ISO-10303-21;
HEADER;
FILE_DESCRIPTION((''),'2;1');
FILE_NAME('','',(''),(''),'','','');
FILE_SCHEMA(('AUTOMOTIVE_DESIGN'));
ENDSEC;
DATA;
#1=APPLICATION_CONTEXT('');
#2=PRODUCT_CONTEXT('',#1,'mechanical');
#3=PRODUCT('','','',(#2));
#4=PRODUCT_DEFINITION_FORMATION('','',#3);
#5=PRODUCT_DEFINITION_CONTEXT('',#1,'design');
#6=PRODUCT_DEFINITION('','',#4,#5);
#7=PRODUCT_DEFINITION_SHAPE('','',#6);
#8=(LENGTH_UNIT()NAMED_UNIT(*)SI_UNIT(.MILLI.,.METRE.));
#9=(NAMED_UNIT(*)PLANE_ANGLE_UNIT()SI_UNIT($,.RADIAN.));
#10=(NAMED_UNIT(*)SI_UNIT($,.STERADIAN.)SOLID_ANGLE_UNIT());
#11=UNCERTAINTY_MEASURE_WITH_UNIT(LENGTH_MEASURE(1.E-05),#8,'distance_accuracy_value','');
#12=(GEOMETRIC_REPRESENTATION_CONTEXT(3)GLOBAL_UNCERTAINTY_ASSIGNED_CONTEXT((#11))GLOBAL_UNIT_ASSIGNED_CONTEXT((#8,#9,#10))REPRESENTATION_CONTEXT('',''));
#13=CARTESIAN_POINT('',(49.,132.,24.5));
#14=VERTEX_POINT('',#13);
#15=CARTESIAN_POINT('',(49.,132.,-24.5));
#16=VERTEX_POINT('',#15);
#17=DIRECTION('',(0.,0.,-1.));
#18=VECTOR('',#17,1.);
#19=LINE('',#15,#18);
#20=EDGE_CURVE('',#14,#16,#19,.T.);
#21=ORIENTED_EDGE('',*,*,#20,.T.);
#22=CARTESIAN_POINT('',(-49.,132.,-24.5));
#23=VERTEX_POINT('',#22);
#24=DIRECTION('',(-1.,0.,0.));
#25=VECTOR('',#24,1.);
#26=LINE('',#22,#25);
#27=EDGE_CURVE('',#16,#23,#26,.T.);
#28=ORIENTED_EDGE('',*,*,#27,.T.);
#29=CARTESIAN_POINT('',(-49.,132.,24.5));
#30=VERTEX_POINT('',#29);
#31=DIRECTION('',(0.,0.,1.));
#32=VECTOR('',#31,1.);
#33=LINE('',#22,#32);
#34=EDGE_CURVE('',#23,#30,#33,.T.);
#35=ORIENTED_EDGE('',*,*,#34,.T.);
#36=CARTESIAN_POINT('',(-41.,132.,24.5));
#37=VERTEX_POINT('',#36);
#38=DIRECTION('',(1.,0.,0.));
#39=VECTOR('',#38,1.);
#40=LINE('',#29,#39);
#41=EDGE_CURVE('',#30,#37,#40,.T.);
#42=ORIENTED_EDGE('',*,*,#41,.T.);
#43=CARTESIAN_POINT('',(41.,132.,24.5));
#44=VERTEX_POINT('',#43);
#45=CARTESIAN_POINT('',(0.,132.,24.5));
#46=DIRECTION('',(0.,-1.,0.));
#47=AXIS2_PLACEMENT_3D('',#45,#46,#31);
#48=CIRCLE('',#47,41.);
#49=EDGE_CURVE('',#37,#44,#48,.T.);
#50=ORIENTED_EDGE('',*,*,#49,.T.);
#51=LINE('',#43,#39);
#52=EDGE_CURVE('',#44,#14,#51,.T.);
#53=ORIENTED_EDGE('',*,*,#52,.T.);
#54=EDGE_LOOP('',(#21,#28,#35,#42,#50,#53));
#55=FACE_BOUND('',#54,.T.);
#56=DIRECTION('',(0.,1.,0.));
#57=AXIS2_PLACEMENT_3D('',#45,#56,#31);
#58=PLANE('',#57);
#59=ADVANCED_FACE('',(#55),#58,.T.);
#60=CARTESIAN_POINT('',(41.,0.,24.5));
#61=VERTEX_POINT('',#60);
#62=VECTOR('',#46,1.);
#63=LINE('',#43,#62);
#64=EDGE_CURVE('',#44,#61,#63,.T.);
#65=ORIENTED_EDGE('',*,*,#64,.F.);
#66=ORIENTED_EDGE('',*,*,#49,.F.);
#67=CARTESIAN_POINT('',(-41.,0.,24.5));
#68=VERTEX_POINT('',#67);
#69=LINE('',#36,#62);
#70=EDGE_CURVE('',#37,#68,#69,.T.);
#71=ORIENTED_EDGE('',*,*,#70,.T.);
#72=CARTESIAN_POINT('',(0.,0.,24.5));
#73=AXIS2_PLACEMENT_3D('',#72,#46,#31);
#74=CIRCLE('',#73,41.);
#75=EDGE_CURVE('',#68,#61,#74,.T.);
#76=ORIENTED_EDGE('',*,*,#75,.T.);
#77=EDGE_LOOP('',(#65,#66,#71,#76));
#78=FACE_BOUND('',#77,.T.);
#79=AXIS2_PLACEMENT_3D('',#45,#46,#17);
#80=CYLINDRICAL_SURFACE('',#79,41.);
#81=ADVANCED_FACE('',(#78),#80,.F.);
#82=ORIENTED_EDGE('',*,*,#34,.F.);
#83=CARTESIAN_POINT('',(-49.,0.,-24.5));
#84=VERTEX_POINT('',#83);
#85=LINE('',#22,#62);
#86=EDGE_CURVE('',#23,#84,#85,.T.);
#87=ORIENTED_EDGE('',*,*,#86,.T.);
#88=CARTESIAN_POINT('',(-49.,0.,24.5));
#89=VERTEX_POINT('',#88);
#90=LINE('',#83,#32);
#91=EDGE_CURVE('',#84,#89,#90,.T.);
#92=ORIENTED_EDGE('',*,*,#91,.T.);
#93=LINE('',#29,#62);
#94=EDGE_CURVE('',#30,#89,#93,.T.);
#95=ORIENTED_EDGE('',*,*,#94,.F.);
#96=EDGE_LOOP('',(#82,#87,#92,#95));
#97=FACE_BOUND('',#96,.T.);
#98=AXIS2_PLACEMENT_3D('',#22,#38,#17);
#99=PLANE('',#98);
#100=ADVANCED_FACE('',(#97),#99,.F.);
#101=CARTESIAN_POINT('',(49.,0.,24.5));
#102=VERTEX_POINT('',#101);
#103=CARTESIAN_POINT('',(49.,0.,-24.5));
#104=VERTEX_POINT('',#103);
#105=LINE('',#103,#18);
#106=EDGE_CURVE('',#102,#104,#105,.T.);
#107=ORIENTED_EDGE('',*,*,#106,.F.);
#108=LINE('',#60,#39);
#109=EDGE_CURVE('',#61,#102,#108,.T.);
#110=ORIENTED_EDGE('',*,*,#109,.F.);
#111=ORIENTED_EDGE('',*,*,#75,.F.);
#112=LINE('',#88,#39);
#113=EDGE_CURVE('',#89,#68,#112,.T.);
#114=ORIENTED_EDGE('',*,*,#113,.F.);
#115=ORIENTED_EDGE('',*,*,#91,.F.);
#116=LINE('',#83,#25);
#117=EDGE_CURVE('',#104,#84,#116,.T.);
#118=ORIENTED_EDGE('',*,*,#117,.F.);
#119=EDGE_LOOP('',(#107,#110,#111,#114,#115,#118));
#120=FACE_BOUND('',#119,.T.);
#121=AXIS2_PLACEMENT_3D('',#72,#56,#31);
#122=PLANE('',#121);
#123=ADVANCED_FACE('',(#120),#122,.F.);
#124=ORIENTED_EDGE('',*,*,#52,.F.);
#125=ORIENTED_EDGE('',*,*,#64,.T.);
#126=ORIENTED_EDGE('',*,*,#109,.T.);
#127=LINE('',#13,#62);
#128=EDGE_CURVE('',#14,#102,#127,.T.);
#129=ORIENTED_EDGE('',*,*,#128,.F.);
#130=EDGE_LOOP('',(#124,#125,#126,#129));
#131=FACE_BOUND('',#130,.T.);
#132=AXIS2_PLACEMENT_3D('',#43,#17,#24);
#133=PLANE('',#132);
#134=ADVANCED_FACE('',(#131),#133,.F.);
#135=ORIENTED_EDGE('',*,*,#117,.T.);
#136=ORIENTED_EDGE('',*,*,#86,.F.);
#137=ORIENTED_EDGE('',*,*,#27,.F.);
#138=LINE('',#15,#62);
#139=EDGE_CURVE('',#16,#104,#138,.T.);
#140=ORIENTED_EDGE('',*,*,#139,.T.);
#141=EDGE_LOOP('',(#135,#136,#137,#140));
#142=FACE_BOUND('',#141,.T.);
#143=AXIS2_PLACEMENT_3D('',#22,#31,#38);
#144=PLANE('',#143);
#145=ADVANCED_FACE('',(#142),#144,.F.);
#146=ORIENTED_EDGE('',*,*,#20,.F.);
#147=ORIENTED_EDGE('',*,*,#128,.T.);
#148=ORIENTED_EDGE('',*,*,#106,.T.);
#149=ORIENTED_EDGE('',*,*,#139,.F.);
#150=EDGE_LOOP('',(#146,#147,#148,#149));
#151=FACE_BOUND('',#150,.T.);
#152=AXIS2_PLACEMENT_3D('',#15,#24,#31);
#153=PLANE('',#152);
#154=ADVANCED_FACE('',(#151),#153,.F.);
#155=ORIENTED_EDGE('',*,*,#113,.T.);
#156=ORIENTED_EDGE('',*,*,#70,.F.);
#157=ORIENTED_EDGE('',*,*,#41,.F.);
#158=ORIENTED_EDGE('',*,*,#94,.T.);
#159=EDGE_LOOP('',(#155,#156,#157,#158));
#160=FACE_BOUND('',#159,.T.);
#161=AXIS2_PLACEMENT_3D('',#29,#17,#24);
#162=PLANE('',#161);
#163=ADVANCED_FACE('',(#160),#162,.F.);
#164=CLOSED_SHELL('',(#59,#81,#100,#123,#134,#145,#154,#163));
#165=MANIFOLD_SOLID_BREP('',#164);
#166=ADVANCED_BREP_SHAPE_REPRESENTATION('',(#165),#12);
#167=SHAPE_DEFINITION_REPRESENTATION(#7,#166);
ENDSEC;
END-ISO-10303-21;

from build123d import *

# Parameters (mm, degrees)
BOSS_EXTRUDE1_DEPTH = 132


with BuildPart() as part:
    # Sketch1 → Boss-Extrude1 (new body)
    with BuildSketch(Plane(origin=(0, 0, 0), x_dir=(1, 0, 0), z_dir=(0, 1, 0))):
        with BuildLine():
            Line((41, -24.5), (49, -24.5))
            Line((49, -24.5), (49, 24.5))
            Line((49, 24.5), (-49, 24.5))
            Line((-49, 24.5), (-49, -24.5))
            Line((-49, -24.5), (-41, -24.5))
            ThreePointArc((-41, -24.5), (0, 16.5), (41, -24.5))
        make_face()
    extrude(amount=BOSS_EXTRUDE1_DEPTH)


solid = part.part
